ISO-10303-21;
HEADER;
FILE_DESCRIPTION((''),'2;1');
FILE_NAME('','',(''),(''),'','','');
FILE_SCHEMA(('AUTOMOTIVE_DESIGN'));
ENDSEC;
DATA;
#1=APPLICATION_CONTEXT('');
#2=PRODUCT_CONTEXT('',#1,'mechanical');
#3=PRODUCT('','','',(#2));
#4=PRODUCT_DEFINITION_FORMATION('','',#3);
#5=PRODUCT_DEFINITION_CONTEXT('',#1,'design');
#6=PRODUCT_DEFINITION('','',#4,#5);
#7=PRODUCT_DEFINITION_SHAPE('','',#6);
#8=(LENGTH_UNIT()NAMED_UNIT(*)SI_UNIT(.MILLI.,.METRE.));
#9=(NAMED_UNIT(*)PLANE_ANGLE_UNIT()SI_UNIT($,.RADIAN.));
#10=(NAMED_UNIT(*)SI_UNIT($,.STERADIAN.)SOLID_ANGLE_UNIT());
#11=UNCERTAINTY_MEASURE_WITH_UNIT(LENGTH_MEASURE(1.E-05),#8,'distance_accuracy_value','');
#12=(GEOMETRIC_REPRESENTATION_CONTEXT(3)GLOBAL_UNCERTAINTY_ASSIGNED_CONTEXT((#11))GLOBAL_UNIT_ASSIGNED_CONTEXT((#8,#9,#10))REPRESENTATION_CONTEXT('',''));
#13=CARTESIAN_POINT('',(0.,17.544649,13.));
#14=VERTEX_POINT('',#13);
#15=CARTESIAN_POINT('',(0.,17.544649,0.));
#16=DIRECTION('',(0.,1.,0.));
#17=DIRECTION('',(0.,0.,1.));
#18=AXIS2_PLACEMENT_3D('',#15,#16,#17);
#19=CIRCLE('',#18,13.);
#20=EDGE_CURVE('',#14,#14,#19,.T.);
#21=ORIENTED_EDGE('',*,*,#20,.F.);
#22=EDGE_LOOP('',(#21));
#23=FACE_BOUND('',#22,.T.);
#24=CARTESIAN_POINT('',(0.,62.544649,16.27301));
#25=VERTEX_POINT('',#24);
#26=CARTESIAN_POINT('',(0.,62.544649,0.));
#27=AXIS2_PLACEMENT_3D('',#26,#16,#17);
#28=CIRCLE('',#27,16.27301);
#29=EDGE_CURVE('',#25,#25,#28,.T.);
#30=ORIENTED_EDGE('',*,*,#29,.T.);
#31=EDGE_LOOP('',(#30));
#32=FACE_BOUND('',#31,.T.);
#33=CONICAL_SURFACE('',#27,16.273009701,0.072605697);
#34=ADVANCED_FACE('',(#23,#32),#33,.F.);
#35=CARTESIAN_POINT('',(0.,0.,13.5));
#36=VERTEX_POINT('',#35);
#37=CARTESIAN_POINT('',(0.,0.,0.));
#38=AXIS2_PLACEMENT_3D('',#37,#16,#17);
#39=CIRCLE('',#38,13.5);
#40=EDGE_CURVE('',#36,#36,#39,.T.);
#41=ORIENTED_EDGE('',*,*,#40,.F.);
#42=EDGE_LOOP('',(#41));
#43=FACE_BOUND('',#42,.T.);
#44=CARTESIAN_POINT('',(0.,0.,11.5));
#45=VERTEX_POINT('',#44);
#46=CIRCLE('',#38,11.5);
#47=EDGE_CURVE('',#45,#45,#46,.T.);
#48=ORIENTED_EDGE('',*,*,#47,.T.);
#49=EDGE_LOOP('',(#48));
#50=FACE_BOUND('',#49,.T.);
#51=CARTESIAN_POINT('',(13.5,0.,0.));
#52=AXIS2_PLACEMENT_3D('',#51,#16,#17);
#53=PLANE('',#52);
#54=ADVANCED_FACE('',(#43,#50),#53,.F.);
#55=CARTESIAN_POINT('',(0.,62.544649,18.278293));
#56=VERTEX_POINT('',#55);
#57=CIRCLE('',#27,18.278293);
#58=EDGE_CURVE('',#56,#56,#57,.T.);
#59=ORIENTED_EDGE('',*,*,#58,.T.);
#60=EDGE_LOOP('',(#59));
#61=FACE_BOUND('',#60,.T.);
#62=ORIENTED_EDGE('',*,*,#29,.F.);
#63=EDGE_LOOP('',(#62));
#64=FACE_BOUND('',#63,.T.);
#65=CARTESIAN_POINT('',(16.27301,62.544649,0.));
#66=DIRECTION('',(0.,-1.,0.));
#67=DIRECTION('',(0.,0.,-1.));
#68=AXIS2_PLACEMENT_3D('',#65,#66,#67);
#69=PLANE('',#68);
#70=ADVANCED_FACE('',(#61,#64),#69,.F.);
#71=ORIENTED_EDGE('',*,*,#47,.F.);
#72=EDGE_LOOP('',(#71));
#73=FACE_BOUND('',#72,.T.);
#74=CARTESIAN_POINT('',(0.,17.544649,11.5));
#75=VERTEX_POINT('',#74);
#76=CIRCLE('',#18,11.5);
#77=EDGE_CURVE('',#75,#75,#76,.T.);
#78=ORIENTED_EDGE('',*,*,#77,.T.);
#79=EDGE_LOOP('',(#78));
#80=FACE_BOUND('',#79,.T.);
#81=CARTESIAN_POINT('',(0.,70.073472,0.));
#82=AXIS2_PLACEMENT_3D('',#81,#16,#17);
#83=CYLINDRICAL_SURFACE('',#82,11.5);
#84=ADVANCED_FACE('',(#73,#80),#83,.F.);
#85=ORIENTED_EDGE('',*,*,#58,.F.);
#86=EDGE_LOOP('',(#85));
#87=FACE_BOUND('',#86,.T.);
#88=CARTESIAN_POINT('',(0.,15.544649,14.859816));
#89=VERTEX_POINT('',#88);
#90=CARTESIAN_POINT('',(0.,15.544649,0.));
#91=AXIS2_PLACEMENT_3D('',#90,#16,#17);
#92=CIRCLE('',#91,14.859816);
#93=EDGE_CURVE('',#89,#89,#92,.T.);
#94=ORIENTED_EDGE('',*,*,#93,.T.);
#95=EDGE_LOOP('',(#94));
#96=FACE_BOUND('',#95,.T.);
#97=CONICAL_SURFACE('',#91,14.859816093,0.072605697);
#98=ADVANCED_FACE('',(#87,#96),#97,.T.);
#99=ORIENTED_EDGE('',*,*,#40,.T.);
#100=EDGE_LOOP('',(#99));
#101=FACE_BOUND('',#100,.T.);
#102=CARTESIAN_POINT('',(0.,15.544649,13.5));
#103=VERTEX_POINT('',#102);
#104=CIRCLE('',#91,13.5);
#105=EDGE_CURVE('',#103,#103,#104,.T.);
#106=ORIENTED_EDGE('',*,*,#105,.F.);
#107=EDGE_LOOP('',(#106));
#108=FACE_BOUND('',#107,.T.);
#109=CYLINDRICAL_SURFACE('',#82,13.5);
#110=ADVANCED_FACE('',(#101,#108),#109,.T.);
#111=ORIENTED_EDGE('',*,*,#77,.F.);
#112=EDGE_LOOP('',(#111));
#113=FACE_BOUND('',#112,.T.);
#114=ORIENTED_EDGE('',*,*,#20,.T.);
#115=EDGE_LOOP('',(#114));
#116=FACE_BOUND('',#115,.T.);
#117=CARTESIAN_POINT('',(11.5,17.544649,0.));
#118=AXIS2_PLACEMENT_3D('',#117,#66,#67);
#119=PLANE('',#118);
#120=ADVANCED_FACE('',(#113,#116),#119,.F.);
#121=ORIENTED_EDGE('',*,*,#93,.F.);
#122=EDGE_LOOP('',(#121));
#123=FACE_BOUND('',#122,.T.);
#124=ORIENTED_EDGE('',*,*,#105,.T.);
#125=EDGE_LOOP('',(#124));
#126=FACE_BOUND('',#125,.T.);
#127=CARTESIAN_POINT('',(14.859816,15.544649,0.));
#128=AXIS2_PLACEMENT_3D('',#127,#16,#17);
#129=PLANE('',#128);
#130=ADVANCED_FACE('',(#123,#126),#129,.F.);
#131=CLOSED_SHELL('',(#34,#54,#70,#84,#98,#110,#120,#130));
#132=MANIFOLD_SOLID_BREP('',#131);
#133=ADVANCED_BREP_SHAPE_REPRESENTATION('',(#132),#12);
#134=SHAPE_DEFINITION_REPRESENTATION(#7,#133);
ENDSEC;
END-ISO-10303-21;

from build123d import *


with BuildPart() as part:
    # Sketch1 → Revolve1 (revolve)
    with BuildSketch(Plane.XY, mode=Mode.PRIVATE) as revolve1_sk:
        Polygon((11.5, 0), (11.5, 17.544649407), (13, 17.544649407), (16.273009701, 62.544649407), (18.278292892, 62.544649407), (14.859816093, 15.544649407), (13.5, 15.544649407), (13.5, 0), align=None)
    revolve(revolve1_sk.sketch.rotate(Axis((0, 70.073472281, 0), (0, -1, 0)), 90), axis=Axis((0, 70.073472281, 0), (0, -1, 0)))  # turned: the seam where the file's is


solid = part.part
